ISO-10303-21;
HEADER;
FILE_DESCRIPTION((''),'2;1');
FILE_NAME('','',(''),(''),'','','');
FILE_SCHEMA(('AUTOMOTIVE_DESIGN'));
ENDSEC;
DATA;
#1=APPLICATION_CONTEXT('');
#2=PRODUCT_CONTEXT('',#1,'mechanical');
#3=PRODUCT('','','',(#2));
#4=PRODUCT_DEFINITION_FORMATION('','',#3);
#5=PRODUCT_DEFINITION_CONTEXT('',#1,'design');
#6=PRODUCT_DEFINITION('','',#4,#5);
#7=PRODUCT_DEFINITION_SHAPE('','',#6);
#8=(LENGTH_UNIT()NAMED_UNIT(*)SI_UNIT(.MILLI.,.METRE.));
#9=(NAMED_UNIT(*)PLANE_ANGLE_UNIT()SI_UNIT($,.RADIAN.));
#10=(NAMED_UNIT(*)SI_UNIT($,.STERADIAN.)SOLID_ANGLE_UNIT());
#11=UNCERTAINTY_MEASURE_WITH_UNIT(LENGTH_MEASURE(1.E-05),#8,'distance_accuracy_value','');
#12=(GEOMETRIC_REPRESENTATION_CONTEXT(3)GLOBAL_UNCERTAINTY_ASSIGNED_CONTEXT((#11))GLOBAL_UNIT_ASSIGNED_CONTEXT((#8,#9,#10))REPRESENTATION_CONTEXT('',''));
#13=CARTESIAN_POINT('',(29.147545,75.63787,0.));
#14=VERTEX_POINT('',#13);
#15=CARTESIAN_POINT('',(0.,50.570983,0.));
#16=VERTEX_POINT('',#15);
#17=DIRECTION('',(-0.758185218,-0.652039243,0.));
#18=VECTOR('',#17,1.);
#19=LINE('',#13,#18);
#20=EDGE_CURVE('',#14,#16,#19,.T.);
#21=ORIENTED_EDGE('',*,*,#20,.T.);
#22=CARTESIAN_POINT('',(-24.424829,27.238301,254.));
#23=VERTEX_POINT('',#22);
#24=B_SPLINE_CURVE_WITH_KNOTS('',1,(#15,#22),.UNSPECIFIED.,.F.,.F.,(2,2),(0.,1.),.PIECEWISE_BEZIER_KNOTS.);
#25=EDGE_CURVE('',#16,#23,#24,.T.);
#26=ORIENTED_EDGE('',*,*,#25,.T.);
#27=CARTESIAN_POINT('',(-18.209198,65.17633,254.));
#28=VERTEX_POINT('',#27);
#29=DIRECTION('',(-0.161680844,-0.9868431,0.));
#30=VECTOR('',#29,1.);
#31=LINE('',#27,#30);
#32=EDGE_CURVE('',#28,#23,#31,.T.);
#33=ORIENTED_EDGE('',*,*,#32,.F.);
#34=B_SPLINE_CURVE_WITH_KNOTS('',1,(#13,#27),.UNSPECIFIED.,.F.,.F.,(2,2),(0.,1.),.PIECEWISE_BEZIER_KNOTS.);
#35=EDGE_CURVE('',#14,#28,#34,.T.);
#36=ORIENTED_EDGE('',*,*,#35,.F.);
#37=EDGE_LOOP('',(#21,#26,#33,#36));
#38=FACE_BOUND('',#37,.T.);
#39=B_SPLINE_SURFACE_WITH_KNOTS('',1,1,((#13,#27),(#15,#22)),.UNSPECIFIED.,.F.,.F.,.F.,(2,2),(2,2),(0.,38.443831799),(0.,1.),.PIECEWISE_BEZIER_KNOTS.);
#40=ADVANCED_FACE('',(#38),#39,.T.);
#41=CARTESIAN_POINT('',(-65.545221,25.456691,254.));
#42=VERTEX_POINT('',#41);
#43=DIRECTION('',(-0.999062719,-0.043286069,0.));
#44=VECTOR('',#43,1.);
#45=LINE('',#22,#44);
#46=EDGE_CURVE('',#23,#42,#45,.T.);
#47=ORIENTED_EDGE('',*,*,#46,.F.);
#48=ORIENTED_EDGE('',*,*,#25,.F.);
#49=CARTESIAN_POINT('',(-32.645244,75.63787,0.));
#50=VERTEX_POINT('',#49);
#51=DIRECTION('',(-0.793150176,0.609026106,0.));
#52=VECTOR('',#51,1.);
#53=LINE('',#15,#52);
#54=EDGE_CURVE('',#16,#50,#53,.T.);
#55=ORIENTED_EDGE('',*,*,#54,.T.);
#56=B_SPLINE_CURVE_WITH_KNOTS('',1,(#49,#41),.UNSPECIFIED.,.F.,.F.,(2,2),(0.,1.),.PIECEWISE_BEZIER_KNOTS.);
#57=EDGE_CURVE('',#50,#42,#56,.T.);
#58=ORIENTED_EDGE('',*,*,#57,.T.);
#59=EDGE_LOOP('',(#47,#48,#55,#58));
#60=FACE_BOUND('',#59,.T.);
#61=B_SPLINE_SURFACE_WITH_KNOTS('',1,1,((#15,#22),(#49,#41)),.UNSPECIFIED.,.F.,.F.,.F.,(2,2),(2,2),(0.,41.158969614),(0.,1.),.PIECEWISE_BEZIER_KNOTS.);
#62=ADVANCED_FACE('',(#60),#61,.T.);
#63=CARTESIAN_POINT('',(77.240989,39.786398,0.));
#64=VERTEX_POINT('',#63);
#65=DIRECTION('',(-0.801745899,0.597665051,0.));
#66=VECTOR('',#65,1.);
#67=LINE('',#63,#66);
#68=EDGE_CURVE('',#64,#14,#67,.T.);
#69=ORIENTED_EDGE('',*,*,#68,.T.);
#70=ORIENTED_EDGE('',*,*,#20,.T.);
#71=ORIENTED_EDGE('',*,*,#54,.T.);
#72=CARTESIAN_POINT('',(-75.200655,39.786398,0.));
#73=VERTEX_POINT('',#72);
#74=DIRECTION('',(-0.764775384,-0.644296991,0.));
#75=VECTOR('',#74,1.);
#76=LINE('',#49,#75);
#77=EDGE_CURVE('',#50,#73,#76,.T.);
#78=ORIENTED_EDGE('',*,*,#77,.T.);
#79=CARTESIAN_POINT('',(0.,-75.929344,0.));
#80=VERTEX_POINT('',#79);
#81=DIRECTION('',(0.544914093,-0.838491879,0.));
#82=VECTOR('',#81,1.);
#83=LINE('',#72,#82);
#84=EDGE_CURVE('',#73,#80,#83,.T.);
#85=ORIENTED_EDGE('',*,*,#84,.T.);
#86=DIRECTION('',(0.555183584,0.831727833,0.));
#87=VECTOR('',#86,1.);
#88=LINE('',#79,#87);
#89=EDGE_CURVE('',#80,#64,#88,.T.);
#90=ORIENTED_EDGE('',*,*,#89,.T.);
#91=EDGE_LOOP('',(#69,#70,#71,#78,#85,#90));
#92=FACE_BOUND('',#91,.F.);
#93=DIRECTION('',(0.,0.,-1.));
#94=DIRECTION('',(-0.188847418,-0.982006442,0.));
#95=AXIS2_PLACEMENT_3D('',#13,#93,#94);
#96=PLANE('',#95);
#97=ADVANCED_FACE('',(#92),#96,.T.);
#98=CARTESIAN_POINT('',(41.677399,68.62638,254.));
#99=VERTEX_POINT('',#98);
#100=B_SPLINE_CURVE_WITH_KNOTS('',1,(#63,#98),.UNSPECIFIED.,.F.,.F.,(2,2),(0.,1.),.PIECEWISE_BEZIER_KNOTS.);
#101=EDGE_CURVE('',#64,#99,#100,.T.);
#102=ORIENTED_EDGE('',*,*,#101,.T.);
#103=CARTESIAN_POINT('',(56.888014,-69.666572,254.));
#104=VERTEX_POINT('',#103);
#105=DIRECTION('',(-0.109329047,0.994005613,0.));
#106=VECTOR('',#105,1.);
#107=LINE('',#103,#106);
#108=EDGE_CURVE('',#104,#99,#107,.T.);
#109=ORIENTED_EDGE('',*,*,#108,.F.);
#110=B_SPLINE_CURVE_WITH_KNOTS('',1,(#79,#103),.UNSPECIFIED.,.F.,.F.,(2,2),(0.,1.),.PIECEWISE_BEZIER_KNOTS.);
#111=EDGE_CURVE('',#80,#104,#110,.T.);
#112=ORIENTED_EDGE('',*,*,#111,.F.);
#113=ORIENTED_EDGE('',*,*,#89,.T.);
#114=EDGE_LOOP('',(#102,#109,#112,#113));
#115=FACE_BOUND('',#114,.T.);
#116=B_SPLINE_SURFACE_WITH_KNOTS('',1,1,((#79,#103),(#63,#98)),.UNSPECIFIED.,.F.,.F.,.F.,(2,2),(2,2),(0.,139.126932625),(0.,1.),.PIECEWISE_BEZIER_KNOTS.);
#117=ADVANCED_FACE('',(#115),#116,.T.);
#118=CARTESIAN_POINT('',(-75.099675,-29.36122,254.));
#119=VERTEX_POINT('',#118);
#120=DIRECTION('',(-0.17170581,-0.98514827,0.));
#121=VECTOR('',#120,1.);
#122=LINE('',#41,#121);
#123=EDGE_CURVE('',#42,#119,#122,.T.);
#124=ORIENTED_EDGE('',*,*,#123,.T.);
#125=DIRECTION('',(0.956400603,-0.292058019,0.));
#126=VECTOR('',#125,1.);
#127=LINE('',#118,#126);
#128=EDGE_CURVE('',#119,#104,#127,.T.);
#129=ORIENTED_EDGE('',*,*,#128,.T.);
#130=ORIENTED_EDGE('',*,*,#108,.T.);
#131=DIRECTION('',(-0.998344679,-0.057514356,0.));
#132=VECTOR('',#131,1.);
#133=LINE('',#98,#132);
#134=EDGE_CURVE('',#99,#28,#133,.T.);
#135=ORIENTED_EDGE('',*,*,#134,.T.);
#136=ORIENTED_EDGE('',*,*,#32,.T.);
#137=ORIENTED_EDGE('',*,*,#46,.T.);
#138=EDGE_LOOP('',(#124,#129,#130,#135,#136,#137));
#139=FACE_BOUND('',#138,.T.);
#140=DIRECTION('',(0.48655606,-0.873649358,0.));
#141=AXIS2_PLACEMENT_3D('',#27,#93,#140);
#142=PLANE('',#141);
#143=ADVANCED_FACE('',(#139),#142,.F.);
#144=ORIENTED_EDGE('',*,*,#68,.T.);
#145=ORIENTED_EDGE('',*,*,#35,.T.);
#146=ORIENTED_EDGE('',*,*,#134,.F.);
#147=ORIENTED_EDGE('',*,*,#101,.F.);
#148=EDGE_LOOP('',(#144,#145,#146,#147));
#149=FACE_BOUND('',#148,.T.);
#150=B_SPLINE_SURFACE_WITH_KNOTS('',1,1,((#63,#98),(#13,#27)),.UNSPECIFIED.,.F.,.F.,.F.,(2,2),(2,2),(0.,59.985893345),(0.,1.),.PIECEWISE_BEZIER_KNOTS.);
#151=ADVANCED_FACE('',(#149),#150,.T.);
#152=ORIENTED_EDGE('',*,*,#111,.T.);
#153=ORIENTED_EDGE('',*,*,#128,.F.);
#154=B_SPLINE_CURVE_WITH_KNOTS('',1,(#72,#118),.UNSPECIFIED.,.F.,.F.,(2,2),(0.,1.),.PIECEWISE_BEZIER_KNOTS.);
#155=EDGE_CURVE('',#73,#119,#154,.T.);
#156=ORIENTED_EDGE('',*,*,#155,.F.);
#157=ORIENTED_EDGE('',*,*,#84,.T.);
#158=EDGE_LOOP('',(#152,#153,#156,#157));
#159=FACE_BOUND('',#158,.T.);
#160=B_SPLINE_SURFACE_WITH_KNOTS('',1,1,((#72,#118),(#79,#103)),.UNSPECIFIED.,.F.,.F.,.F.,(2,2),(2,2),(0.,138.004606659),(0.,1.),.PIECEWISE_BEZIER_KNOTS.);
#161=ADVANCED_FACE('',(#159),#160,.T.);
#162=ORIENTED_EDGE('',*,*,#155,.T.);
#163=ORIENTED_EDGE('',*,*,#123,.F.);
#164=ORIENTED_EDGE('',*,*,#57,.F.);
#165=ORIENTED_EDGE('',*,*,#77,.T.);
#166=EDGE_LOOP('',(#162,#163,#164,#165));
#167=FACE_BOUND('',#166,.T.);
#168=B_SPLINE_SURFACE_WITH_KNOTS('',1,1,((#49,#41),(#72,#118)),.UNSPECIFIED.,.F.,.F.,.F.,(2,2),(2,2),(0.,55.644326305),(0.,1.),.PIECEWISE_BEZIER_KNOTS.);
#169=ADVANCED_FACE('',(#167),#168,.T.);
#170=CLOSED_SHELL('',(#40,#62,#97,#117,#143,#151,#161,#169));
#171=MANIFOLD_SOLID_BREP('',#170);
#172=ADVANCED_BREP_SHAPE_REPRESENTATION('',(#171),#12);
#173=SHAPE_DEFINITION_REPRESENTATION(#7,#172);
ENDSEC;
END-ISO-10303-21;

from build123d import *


with BuildPart() as f3:
    # F0 (on Top) → F3 section 0
    with BuildSketch(Plane.XY):
        Polygon((29.147545, 75.63787), (0, 50.570983), (-32.645244, 75.63787), (-75.200655, 39.786398), (0, -75.929344), (77.240989, 39.786398), align=None)
    # F2 (on offset) → F3 section 1
    with BuildSketch(Plane.XY.offset(254)):
        Polygon((-18.209198, 65.17633), (-24.424829, 27.238301), (-65.545221, 25.456691), (-75.099675, -29.36122), (56.888014, -69.666572), (41.677399, 68.62638), align=None)
    loft()


solid = f3.part
